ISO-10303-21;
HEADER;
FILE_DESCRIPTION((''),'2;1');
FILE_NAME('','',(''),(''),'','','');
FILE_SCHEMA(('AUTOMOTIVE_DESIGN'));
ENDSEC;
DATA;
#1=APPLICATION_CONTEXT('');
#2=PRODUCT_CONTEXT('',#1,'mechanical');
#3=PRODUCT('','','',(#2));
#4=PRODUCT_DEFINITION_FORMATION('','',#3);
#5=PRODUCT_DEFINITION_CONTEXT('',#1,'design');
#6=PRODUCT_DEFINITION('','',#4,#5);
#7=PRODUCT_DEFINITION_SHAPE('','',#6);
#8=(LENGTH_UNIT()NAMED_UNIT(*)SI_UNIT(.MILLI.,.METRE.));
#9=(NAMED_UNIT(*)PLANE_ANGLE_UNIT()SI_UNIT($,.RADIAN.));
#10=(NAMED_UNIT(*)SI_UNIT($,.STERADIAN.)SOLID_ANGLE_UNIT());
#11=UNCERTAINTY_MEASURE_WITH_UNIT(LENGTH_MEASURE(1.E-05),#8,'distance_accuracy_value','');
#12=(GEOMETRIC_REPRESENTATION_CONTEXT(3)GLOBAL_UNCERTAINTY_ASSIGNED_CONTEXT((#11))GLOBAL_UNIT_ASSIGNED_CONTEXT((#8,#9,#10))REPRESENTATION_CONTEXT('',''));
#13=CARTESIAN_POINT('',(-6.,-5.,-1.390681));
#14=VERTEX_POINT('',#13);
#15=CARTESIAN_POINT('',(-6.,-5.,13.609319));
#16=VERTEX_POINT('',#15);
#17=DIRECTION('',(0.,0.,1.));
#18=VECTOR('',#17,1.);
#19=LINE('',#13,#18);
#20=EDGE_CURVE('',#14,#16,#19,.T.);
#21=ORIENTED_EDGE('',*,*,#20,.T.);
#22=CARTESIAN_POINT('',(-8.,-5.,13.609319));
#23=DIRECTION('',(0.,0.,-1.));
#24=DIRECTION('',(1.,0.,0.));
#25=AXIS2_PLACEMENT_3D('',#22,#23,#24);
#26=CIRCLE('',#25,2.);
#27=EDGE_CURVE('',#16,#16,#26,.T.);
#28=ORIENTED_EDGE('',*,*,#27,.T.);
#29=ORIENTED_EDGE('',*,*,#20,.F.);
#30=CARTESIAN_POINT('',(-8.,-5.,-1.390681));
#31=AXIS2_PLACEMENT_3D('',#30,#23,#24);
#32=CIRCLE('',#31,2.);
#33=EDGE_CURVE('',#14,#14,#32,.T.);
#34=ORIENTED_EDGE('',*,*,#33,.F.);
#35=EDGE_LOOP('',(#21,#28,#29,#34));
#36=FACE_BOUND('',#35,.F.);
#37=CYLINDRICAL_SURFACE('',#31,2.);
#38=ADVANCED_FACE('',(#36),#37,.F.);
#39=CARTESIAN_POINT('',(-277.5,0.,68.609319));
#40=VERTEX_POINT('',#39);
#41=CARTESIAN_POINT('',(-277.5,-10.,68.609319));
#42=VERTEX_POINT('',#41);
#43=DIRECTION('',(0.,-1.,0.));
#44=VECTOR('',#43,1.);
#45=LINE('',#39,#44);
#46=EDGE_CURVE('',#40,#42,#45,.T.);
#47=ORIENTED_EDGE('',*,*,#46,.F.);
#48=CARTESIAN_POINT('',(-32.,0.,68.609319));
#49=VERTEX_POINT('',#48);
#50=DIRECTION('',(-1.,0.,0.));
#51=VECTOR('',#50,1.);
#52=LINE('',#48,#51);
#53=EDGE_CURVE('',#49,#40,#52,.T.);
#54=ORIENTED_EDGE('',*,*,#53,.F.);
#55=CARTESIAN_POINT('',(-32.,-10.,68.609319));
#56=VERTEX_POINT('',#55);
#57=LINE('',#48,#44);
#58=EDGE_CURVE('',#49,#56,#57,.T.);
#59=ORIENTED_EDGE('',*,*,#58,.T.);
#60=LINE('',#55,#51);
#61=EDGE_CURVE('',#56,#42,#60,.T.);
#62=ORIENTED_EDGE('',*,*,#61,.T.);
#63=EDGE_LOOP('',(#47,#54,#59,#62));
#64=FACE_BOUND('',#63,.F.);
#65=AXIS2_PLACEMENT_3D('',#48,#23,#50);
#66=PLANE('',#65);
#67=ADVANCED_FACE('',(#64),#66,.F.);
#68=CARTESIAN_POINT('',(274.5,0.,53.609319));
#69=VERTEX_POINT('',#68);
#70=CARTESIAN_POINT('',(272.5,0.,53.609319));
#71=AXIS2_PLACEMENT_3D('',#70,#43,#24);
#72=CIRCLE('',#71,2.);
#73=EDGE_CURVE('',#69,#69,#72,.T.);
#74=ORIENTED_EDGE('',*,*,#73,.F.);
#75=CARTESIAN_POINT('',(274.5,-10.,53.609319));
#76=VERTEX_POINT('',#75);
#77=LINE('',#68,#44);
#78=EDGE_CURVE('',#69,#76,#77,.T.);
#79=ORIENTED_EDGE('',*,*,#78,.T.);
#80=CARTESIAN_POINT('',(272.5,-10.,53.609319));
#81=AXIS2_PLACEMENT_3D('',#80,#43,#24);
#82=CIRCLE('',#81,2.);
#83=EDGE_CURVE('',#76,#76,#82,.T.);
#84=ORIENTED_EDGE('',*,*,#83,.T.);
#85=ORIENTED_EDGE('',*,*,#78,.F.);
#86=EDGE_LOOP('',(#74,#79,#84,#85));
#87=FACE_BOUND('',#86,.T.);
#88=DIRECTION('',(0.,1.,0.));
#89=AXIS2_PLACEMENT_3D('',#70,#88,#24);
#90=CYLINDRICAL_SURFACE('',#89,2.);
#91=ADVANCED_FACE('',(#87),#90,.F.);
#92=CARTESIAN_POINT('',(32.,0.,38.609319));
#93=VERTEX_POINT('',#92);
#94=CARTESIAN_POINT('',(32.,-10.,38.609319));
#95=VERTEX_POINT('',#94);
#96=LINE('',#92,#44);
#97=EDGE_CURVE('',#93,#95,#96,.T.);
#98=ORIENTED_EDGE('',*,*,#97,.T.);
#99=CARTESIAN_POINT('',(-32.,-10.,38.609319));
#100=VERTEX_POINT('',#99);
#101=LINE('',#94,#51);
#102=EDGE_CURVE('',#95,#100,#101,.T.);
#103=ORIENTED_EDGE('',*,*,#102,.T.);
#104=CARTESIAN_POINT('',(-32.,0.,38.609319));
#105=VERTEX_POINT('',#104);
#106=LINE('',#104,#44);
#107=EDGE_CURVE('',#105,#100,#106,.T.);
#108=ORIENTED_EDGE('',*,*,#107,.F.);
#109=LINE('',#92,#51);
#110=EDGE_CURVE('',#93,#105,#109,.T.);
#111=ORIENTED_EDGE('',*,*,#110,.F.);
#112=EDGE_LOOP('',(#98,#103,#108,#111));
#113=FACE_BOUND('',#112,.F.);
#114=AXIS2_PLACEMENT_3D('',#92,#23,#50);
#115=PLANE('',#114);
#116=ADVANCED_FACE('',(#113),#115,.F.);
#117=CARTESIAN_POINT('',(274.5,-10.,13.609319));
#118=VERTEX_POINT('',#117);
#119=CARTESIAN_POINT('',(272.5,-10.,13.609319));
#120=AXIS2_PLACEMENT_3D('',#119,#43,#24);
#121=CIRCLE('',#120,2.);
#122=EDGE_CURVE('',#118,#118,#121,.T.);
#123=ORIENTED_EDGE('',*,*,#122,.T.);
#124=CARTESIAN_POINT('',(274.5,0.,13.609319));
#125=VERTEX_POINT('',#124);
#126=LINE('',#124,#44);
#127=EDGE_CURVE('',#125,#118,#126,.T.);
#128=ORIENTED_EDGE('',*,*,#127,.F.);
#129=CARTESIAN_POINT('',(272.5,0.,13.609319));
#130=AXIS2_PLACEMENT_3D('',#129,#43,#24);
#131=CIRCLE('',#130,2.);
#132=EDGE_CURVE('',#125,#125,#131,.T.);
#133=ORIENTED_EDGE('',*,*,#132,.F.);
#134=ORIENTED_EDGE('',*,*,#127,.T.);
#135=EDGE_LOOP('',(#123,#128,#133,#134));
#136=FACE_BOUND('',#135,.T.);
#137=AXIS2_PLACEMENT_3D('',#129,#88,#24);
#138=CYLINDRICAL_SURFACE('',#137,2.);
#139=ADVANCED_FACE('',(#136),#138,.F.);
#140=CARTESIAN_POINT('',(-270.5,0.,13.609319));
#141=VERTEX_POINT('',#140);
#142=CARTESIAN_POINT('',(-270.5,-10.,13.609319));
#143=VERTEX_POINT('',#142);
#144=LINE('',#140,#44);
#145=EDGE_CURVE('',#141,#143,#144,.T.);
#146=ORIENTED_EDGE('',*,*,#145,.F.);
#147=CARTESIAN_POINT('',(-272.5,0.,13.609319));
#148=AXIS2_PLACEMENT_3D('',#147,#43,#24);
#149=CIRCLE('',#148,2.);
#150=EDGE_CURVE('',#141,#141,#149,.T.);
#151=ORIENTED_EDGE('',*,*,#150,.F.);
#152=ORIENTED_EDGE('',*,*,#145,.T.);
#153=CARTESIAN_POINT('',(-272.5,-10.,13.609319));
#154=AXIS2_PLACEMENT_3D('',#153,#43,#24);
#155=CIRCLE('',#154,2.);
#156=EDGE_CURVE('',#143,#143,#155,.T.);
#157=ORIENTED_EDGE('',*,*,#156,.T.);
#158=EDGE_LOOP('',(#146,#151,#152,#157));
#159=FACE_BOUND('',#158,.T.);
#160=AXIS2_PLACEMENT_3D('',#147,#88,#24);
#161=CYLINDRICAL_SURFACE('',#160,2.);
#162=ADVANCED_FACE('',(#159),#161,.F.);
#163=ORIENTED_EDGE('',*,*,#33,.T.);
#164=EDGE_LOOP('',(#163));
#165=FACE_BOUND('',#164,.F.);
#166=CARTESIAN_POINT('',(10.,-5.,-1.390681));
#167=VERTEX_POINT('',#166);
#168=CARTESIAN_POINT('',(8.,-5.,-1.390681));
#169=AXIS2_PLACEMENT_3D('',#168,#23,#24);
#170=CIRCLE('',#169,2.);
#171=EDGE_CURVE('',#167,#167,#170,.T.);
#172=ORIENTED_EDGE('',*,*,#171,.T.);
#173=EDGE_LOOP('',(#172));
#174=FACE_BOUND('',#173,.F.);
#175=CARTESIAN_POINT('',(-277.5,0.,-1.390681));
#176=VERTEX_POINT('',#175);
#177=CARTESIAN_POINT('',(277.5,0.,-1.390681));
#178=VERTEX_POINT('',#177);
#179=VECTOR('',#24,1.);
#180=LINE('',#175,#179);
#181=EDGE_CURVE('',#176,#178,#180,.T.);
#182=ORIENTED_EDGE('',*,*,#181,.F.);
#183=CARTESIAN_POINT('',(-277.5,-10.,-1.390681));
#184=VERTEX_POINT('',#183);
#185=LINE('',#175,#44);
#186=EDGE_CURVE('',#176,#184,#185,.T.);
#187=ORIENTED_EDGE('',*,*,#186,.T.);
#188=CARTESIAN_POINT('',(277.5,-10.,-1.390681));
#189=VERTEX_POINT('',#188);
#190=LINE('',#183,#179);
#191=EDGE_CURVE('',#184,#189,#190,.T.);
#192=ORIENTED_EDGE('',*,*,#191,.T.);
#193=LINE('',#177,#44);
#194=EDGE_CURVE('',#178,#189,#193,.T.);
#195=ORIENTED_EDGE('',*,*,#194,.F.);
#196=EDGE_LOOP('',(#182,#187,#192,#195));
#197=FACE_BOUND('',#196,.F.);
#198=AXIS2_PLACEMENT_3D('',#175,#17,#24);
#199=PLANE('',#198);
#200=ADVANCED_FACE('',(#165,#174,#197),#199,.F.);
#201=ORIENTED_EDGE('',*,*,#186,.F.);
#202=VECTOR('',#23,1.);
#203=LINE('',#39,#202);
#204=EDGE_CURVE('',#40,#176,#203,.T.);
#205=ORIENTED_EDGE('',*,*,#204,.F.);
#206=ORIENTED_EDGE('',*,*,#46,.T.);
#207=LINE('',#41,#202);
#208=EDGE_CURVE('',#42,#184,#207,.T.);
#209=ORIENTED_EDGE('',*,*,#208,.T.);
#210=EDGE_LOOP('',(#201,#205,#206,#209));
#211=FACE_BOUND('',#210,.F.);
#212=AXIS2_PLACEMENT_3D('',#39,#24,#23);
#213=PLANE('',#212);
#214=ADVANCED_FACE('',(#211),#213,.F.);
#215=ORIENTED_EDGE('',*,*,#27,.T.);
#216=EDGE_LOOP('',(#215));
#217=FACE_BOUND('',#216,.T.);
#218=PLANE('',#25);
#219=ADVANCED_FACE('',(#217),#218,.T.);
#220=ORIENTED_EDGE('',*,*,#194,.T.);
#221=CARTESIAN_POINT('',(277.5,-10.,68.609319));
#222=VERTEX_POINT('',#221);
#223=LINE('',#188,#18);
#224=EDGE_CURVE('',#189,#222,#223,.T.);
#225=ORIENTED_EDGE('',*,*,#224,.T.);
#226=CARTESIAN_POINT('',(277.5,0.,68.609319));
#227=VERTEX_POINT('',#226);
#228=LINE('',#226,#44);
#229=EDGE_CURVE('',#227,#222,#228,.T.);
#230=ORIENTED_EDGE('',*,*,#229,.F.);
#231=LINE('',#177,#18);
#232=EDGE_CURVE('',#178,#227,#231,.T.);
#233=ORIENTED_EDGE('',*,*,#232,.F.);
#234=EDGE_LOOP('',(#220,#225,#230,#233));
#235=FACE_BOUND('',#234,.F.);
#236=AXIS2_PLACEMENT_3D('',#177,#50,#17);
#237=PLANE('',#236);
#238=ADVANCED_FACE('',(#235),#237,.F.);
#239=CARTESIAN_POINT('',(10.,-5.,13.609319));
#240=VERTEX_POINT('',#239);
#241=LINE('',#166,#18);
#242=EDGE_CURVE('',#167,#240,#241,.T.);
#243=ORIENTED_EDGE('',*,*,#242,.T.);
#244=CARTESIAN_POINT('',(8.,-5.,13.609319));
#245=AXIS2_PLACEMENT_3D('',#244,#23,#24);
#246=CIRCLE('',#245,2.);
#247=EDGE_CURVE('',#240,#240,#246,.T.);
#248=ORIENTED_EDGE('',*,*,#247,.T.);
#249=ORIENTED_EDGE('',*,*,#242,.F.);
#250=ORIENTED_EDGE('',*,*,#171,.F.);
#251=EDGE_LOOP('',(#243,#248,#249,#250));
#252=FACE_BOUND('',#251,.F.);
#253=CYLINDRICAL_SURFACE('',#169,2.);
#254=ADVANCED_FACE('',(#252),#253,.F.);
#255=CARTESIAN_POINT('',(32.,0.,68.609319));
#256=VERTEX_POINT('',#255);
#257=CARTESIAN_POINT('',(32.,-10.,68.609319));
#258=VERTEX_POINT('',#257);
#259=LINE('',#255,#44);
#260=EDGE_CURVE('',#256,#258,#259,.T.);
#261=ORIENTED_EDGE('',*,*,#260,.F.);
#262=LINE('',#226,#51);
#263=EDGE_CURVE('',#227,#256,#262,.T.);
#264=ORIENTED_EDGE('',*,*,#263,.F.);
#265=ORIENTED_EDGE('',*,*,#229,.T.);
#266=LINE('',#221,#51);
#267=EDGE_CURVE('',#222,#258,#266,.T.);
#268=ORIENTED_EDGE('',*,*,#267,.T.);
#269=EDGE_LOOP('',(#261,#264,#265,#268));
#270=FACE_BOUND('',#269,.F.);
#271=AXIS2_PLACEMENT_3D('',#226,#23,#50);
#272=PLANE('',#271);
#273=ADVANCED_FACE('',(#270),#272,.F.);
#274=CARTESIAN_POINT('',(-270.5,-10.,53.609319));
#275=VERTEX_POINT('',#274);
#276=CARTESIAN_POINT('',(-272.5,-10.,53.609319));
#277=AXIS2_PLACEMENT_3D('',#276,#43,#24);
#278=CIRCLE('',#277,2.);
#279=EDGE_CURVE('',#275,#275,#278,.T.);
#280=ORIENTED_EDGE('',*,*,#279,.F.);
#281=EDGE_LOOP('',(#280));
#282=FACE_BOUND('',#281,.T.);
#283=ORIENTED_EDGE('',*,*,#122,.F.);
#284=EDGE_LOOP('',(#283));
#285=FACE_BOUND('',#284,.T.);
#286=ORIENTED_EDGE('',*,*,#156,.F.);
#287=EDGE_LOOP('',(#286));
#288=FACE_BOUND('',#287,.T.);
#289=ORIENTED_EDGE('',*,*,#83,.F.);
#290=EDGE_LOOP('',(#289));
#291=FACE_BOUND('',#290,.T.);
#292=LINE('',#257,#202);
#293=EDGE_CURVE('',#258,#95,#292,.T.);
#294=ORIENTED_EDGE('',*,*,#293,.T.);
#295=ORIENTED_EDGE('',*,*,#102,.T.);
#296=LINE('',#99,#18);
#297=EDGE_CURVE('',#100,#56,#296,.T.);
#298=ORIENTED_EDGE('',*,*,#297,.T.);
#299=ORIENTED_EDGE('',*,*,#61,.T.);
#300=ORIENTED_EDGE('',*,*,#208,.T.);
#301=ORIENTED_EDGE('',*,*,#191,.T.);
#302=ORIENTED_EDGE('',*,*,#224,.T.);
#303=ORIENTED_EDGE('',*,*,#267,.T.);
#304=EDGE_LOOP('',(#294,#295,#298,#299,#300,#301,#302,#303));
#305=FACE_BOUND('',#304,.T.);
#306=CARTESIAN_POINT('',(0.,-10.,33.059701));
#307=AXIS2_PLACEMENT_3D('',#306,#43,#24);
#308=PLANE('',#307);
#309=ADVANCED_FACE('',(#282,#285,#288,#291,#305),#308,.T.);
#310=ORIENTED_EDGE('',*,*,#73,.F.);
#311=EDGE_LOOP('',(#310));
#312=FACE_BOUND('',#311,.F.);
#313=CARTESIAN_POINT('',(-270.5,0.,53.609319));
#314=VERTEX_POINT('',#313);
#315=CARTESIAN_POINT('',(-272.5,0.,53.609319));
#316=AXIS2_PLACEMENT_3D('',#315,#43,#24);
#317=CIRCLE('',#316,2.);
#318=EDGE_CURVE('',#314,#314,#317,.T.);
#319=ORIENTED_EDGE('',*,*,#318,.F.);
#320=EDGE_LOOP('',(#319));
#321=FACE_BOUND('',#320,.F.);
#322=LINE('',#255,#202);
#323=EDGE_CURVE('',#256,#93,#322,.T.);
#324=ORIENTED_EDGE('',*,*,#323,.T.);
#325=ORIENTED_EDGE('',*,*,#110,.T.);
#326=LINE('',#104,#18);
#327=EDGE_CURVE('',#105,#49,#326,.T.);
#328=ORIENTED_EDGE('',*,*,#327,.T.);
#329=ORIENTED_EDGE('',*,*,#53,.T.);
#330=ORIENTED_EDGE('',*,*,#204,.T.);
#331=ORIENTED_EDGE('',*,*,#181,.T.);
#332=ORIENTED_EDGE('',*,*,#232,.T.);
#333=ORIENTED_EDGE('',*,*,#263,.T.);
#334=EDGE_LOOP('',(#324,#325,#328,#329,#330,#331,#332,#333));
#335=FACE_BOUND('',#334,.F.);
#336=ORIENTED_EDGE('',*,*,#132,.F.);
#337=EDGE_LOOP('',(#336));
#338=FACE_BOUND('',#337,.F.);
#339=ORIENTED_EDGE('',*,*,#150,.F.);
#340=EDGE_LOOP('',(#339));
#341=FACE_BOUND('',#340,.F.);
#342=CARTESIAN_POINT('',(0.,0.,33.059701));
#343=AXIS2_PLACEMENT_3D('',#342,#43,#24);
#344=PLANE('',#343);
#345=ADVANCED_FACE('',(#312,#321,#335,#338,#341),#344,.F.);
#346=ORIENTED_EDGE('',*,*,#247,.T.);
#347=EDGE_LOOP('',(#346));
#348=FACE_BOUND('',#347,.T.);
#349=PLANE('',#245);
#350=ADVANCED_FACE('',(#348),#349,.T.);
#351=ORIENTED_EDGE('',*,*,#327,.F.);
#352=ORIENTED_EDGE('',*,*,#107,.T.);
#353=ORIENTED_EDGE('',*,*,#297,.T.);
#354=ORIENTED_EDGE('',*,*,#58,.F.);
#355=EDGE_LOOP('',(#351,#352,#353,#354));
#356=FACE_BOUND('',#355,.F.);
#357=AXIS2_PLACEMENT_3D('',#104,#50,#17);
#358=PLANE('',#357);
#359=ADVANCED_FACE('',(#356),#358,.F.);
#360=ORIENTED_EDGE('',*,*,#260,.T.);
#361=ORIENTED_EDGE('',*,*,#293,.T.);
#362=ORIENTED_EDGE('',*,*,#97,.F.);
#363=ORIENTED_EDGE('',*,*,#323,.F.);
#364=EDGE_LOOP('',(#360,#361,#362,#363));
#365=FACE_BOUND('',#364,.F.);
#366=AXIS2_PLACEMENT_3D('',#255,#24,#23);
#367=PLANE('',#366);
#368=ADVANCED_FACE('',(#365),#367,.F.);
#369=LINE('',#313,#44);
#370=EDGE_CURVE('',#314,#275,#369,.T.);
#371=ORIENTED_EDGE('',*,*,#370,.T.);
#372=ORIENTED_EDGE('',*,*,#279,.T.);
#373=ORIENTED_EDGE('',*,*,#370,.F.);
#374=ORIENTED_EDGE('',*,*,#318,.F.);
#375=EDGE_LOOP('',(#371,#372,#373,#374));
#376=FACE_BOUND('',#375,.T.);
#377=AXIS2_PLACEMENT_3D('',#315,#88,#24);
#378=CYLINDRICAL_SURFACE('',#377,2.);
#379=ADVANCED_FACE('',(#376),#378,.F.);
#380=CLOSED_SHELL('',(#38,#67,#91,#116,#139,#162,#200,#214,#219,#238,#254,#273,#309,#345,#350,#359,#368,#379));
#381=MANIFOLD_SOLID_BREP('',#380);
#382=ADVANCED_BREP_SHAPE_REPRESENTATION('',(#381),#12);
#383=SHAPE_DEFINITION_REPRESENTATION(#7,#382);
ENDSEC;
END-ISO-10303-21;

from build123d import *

# Parameters (mm, degrees)
F0_R     = 2
F1_DEPTH = 10
F2_R     = 2
F3_DEPTH = 15


with BuildPart() as f1:
    # F0 (on Front) → F1 (new body)
    with BuildSketch(Plane.XZ):
        Polygon((-32, 68.609319), (-277.5, 68.609319), (-277.5, -1.390681), (277.5, -1.390681), (277.5, 68.609319), (32, 68.609319), (32, 38.609319), (0, 38.609319), (-32, 38.609319), align=None)
        with Locations((-272.5, 13.609319)):
            Circle(F0_R, mode=Mode.SUBTRACT)
        with Locations((272.5, 13.609319)):
            Circle(F0_R, mode=Mode.SUBTRACT)
        with Locations((-272.5, 53.609319)):
            Circle(F0_R, mode=Mode.SUBTRACT)
        with Locations((272.5, 53.609319)):
            Circle(F0_R, mode=Mode.SUBTRACT)
    extrude(amount=F1_DEPTH)

    # F2 (on face) → F3 (cut)
    with BuildSketch(Plane(origin=(0, 0, -1.390681), x_dir=(1, 0, 0), z_dir=(0, 0, -1))):
        with Locations((-8, 5)):
            Circle(F2_R)
        with Locations((8, 5)):
            Circle(F2_R)
    extrude(amount=-F3_DEPTH, mode=Mode.SUBTRACT)


solid = f1.part
